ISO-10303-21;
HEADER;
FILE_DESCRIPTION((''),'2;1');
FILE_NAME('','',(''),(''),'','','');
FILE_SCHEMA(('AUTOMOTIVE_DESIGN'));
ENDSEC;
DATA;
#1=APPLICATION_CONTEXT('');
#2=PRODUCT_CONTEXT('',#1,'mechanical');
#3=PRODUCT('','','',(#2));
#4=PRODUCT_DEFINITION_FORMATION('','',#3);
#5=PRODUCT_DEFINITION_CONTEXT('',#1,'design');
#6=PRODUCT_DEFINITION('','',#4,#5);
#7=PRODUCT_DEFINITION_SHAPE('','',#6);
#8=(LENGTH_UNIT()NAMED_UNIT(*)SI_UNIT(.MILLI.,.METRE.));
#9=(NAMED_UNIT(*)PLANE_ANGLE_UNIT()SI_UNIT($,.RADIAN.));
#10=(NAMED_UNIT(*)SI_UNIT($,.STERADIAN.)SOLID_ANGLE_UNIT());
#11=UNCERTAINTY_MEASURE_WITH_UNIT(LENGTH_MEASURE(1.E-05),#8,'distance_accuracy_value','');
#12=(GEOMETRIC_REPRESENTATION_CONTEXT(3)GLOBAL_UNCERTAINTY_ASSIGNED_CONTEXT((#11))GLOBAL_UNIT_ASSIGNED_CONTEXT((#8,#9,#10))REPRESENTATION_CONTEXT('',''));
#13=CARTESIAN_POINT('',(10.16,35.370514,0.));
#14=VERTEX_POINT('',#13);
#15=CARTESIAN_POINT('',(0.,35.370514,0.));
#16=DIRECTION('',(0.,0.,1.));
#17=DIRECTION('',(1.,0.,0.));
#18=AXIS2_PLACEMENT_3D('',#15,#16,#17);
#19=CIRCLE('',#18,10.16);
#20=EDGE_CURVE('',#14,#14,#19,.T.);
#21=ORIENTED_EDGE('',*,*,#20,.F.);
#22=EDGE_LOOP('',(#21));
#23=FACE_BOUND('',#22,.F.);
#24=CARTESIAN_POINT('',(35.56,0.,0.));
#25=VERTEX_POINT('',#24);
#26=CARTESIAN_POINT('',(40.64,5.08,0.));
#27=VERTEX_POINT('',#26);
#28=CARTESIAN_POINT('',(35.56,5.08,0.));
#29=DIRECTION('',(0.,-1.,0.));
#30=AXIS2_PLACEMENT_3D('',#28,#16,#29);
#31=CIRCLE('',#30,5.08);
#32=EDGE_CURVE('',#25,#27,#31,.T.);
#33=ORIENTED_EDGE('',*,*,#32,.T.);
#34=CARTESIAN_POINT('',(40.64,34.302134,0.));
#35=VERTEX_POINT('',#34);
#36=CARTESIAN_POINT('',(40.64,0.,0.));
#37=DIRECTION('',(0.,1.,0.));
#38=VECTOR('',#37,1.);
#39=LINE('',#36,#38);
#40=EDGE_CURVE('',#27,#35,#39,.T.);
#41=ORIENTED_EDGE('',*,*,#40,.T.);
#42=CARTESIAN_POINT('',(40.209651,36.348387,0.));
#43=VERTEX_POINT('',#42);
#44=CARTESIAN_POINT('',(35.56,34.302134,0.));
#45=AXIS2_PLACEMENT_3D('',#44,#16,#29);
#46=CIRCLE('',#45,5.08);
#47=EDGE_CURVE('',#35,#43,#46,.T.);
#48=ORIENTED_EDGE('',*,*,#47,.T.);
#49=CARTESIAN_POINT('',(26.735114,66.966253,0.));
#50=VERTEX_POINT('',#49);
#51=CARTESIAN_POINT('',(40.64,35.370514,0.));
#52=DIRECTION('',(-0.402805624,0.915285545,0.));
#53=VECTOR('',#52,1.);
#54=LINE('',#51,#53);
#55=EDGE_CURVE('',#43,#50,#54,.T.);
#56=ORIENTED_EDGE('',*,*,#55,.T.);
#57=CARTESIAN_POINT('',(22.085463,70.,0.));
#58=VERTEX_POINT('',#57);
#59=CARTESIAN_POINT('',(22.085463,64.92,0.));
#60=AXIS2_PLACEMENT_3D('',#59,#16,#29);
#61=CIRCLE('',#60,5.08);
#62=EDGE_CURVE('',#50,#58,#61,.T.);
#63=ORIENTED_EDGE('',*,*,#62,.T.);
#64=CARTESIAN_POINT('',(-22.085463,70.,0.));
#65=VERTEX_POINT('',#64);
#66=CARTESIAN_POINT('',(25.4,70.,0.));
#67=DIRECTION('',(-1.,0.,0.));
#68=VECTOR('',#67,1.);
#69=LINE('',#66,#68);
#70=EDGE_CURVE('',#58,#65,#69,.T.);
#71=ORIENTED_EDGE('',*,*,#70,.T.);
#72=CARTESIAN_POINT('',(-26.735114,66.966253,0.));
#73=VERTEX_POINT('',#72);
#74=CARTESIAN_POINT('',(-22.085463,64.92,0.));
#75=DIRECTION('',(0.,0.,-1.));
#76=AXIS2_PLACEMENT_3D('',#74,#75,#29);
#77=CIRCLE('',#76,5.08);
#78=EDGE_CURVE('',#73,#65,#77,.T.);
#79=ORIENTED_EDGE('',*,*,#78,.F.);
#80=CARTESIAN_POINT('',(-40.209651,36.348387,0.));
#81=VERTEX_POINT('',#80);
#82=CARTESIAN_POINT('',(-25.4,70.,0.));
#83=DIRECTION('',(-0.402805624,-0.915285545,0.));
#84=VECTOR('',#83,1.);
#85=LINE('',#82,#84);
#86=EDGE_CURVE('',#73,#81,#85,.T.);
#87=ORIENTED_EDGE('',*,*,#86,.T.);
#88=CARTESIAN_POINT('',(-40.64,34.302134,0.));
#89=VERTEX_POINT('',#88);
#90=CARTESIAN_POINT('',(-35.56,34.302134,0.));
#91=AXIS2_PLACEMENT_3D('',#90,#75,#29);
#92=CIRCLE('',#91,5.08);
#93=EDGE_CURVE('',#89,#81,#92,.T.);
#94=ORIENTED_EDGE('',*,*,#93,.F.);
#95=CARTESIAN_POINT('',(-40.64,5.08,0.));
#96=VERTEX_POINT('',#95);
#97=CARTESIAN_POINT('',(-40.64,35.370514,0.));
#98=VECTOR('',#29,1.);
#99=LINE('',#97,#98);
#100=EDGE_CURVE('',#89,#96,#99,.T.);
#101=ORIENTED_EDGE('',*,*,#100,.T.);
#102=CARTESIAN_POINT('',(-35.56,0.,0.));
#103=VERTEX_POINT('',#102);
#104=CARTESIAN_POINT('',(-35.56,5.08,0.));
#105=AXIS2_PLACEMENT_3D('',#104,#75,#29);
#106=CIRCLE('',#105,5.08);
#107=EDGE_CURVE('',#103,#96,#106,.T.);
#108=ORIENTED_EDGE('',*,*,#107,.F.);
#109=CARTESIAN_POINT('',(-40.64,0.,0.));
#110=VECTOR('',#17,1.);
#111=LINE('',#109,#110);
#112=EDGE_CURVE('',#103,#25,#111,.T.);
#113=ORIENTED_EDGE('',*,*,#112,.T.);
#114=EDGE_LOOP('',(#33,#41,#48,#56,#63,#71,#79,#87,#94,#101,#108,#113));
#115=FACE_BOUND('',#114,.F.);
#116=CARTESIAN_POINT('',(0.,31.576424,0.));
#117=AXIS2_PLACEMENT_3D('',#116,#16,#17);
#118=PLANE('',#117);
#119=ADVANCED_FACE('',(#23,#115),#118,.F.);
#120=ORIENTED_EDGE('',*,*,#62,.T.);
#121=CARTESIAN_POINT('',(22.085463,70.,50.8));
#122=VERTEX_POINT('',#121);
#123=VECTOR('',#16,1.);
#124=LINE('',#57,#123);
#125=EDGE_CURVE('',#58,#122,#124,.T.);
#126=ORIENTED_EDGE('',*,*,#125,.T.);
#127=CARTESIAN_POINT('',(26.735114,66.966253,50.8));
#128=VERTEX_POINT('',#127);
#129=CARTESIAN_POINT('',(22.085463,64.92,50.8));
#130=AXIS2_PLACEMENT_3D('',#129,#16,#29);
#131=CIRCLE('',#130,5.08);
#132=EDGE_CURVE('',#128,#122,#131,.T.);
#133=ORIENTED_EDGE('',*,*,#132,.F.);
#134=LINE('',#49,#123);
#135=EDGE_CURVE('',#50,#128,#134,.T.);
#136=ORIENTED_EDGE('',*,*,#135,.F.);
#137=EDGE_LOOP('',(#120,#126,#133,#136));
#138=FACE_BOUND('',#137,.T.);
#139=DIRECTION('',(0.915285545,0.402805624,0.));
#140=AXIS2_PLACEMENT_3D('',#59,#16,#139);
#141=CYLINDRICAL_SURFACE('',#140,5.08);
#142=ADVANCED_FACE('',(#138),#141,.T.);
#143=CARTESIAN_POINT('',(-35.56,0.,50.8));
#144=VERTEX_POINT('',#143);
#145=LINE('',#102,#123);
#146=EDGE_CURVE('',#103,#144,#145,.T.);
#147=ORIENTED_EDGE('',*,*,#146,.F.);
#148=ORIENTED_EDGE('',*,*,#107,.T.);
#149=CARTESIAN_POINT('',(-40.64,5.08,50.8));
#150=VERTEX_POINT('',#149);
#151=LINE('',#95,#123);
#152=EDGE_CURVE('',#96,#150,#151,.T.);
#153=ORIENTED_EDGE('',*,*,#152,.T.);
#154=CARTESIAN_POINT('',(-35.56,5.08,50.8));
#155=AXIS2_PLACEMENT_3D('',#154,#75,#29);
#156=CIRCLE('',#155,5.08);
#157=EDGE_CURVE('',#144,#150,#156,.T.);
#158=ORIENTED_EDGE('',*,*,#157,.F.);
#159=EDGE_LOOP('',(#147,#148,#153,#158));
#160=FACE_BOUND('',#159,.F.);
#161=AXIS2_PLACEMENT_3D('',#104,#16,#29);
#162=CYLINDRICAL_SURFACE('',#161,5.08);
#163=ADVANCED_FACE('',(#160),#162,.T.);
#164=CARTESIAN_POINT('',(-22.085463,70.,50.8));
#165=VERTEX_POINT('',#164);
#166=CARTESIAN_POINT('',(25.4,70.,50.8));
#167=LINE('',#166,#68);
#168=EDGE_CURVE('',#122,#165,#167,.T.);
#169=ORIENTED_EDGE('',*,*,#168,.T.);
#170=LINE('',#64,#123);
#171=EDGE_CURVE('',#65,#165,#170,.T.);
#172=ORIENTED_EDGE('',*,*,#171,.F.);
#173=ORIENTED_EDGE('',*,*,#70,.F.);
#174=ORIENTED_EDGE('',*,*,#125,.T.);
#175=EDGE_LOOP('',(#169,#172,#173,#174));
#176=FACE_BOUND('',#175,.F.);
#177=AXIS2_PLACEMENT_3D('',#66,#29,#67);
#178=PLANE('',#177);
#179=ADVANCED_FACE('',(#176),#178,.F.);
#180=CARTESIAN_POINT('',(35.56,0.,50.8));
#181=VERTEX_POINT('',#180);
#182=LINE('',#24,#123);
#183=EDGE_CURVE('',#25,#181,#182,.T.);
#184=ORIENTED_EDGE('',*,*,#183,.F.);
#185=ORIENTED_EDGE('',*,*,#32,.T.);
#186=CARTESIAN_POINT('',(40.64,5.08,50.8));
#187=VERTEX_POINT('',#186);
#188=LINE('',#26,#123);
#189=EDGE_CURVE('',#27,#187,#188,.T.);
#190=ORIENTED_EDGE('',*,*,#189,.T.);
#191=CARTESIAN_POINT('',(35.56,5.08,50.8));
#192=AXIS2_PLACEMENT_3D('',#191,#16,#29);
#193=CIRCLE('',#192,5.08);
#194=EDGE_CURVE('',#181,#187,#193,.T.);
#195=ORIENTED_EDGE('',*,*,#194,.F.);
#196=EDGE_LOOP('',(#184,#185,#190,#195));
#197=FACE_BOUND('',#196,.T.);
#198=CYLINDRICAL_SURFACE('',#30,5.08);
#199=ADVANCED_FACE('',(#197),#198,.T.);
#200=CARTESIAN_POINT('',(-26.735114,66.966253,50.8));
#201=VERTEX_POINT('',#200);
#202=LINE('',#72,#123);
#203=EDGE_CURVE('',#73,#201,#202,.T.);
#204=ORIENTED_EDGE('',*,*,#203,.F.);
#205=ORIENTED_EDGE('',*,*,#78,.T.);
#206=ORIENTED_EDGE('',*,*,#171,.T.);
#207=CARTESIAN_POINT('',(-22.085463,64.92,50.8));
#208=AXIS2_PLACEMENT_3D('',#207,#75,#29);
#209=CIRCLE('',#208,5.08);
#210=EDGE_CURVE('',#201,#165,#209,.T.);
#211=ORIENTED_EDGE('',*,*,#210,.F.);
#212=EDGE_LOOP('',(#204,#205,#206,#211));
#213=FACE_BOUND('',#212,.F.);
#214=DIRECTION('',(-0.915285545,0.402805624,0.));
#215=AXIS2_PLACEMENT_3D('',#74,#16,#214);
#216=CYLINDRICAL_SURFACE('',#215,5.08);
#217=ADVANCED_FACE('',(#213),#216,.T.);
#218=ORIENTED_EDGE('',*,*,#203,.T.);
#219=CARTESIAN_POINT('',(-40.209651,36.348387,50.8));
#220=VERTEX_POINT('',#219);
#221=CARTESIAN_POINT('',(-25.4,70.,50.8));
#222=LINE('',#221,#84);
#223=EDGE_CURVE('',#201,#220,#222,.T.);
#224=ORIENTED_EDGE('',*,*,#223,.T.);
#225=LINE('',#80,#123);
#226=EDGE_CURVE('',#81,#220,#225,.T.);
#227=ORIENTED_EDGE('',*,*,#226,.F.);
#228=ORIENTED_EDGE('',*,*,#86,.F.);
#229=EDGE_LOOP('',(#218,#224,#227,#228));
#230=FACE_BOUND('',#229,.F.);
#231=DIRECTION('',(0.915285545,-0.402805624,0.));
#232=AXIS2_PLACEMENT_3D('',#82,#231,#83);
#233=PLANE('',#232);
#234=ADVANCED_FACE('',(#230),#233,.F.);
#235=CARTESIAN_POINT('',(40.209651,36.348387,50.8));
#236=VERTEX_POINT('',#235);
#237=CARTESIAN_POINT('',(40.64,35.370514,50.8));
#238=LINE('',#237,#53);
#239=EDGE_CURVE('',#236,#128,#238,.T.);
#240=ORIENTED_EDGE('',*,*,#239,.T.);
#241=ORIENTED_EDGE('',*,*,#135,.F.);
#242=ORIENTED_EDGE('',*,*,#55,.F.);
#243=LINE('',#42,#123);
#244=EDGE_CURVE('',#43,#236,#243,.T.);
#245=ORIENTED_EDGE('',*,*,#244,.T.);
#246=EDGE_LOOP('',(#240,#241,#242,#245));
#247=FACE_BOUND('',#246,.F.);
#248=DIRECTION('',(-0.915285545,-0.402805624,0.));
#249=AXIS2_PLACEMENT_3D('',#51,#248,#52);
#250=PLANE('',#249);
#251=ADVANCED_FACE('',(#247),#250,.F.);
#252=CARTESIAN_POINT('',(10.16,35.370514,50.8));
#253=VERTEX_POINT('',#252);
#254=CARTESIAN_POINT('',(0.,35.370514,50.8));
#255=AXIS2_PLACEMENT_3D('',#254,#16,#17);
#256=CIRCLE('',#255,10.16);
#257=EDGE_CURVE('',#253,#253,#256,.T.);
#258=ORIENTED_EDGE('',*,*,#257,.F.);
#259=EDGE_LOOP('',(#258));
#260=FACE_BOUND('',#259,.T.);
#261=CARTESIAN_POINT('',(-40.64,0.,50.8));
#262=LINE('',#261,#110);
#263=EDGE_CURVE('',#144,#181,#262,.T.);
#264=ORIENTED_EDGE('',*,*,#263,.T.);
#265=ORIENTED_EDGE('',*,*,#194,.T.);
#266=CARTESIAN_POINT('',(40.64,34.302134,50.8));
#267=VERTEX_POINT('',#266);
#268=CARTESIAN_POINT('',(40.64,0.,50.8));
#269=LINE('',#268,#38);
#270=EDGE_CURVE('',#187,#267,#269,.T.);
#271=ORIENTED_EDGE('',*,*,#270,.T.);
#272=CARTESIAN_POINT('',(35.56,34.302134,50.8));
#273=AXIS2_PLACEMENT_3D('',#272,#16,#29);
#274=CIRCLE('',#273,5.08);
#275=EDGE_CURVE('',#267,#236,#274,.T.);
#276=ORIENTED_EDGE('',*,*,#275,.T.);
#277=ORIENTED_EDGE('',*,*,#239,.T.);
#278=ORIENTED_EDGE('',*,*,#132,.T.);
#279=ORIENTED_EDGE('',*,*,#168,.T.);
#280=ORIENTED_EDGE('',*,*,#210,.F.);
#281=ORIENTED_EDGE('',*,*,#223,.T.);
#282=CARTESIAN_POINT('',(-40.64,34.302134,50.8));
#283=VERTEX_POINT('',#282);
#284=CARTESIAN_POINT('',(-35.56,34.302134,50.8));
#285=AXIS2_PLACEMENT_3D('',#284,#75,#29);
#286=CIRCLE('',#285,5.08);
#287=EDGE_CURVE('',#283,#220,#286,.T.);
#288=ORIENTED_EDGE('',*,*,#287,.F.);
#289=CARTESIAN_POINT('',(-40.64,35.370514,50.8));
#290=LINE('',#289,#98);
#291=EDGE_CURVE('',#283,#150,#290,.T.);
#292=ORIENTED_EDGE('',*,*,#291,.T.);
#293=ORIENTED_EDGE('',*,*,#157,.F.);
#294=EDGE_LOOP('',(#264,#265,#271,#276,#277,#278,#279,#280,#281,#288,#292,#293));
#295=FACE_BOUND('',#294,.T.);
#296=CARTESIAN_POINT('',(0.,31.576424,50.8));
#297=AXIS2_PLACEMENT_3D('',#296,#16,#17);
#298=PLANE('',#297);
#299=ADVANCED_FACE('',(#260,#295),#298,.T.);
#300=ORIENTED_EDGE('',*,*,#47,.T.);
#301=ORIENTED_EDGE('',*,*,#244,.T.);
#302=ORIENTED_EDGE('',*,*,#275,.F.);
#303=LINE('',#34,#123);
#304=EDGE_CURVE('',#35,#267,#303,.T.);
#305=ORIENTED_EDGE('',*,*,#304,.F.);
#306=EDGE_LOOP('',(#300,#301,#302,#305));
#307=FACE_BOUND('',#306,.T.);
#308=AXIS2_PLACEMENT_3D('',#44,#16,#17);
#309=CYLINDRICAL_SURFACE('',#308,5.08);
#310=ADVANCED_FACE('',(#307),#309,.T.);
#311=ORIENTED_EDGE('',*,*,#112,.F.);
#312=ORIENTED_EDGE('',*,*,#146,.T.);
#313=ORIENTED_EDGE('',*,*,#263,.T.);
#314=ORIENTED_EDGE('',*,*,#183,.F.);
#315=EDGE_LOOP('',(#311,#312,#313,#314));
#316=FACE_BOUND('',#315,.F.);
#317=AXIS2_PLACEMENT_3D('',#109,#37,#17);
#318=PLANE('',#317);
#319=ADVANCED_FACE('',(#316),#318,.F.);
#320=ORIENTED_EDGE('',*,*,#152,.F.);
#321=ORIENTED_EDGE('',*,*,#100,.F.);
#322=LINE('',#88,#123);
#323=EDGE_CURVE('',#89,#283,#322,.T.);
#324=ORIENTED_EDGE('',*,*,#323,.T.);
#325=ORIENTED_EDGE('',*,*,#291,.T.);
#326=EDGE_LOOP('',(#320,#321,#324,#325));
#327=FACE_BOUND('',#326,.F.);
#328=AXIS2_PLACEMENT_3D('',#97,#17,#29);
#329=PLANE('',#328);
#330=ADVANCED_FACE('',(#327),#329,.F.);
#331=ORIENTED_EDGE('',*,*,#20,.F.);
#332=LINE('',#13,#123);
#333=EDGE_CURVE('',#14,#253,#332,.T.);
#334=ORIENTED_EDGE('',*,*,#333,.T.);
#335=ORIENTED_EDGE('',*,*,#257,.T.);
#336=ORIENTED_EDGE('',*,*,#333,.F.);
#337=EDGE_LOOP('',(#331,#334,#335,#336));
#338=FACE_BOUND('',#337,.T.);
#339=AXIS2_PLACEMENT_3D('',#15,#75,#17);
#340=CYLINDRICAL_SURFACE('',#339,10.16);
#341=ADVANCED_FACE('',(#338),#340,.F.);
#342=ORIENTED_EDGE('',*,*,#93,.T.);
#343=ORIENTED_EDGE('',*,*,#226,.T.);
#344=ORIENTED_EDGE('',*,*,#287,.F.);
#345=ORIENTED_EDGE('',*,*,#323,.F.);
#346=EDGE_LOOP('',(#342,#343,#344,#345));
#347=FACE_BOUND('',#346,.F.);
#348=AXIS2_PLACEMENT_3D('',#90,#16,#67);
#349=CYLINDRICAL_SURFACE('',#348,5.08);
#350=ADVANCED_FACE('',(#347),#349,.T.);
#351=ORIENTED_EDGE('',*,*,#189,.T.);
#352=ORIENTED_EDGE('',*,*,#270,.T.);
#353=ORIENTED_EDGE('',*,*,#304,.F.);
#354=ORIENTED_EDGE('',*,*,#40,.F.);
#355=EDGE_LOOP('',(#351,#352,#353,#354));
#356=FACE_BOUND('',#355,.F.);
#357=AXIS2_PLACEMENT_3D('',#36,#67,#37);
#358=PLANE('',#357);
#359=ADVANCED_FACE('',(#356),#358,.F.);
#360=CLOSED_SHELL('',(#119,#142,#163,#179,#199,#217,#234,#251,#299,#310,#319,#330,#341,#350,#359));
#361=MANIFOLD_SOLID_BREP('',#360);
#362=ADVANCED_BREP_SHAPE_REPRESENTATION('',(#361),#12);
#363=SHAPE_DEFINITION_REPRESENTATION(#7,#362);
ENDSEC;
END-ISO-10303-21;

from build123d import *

# Parameters (mm, degrees)
F0_R     = 10.16
F1_DEPTH = 50.8
F2_R     = 5.08


with BuildPart() as f1:
    # F0 (on Top) → F1 (new body)
    with BuildSketch(Plane.XY):
        Polygon((-40.64, 0), (0, 0), (40.64, 0), (40.64, 35.370514), (25.4, 70), (-25.4, 70), (-40.64, 35.370514), align=None)
        with Locations((0, 35.370514)):
            Circle(F0_R, mode=Mode.SUBTRACT)
    extrude(amount=F1_DEPTH)

    # F2
    f2_edges = [f1.edges().sort_by_distance(p)[0] for p in [
        (40.64, 0, 25.4),
        (40.64, 35.370514, 25.4),
        (25.4, 70, 25.4),
        (-25.4, 70, 25.4),
        (-40.64, 35.370514, 25.4),
        (-40.64, 0, 25.4),
    ]]
    fillet(f2_edges, radius=F2_R)


solid = f1.part
